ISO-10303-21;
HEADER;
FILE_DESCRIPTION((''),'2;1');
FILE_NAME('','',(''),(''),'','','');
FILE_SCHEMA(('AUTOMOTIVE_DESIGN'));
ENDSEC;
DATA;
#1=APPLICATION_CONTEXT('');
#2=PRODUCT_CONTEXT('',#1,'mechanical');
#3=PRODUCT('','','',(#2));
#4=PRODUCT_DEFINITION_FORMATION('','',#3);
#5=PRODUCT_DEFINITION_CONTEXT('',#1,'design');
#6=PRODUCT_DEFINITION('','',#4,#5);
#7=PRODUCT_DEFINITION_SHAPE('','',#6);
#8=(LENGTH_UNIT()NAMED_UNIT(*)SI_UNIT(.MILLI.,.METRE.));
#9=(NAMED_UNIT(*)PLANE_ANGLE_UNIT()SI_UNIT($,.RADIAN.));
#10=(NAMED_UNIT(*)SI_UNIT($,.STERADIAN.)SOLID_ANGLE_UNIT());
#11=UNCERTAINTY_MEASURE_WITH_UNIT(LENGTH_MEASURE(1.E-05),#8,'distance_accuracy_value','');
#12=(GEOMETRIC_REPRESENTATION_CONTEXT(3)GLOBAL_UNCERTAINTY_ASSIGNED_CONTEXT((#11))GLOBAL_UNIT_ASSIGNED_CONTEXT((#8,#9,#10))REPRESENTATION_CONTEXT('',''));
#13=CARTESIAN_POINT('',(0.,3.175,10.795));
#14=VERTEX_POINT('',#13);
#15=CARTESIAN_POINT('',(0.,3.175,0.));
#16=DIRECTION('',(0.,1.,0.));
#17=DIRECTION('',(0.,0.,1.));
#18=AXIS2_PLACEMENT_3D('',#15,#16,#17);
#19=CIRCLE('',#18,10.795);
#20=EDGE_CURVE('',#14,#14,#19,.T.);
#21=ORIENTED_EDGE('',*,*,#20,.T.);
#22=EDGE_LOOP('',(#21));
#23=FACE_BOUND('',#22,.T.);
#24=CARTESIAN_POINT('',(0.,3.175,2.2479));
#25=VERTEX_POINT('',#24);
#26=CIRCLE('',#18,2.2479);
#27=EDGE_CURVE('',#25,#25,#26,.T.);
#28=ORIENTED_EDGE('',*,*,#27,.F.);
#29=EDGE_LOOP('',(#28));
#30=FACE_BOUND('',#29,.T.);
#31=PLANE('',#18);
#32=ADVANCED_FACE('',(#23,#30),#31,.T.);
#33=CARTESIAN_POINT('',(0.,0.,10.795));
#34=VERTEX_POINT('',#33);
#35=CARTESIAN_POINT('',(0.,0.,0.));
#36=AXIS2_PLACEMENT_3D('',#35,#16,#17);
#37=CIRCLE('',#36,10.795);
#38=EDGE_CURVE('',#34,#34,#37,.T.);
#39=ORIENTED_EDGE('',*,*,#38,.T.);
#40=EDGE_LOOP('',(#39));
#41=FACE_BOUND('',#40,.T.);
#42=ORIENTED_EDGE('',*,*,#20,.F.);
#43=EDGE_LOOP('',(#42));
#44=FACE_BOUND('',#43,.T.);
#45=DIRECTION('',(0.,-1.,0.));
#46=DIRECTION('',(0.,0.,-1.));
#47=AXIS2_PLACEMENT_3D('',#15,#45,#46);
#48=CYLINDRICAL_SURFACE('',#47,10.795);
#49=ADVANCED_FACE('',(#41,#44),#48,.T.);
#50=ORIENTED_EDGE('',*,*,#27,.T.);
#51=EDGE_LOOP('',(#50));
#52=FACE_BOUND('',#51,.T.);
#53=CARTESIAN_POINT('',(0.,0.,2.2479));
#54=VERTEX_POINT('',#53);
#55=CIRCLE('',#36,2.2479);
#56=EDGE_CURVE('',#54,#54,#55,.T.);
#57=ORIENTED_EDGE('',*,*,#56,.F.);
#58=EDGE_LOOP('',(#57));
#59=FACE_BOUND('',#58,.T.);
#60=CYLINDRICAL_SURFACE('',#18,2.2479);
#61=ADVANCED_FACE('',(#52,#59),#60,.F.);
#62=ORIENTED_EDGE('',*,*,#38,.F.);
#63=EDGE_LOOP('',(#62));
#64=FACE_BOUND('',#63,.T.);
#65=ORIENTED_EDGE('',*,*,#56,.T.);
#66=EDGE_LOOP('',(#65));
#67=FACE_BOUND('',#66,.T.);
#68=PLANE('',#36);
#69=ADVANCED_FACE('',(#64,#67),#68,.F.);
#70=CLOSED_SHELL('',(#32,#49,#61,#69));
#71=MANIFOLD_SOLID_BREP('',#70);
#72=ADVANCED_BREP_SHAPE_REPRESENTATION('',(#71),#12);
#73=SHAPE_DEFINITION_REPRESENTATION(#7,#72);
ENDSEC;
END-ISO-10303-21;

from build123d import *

# Parameters (mm, degrees)
SKETCH1_R                 = 10.795
BOSS_EXTRUDE1_DEPTH       = 3.175
F_8_CLEARANCE_HOLE1_D     = 4.4958
F_8_CLEARANCE_HOLE1_DEPTH = 10.16
F_8_CLEARANCE_HOLE1_TIP   = 1.350674586


with BuildPart() as part:
    # Sketch1 → Boss-Extrude1 (new body)
    with BuildSketch(Plane(origin=(0, 0, 0), x_dir=(1, 0, 0), z_dir=(0, 1, 0))):
        Circle(SKETCH1_R)
    extrude(amount=BOSS_EXTRUDE1_DEPTH)

    # #8 Clearance Hole1
    with Locations(Plane.ZX.offset(3.175)):
        with Locations((0, 0)):
            Hole(F_8_CLEARANCE_HOLE1_D / 2, depth=F_8_CLEARANCE_HOLE1_DEPTH)
            with Locations((0, 0, -(F_8_CLEARANCE_HOLE1_DEPTH + F_8_CLEARANCE_HOLE1_TIP / 2))):  # 118° drill point
                Cone(0, F_8_CLEARANCE_HOLE1_D / 2, F_8_CLEARANCE_HOLE1_TIP, mode=Mode.SUBTRACT)


solid = part.part
